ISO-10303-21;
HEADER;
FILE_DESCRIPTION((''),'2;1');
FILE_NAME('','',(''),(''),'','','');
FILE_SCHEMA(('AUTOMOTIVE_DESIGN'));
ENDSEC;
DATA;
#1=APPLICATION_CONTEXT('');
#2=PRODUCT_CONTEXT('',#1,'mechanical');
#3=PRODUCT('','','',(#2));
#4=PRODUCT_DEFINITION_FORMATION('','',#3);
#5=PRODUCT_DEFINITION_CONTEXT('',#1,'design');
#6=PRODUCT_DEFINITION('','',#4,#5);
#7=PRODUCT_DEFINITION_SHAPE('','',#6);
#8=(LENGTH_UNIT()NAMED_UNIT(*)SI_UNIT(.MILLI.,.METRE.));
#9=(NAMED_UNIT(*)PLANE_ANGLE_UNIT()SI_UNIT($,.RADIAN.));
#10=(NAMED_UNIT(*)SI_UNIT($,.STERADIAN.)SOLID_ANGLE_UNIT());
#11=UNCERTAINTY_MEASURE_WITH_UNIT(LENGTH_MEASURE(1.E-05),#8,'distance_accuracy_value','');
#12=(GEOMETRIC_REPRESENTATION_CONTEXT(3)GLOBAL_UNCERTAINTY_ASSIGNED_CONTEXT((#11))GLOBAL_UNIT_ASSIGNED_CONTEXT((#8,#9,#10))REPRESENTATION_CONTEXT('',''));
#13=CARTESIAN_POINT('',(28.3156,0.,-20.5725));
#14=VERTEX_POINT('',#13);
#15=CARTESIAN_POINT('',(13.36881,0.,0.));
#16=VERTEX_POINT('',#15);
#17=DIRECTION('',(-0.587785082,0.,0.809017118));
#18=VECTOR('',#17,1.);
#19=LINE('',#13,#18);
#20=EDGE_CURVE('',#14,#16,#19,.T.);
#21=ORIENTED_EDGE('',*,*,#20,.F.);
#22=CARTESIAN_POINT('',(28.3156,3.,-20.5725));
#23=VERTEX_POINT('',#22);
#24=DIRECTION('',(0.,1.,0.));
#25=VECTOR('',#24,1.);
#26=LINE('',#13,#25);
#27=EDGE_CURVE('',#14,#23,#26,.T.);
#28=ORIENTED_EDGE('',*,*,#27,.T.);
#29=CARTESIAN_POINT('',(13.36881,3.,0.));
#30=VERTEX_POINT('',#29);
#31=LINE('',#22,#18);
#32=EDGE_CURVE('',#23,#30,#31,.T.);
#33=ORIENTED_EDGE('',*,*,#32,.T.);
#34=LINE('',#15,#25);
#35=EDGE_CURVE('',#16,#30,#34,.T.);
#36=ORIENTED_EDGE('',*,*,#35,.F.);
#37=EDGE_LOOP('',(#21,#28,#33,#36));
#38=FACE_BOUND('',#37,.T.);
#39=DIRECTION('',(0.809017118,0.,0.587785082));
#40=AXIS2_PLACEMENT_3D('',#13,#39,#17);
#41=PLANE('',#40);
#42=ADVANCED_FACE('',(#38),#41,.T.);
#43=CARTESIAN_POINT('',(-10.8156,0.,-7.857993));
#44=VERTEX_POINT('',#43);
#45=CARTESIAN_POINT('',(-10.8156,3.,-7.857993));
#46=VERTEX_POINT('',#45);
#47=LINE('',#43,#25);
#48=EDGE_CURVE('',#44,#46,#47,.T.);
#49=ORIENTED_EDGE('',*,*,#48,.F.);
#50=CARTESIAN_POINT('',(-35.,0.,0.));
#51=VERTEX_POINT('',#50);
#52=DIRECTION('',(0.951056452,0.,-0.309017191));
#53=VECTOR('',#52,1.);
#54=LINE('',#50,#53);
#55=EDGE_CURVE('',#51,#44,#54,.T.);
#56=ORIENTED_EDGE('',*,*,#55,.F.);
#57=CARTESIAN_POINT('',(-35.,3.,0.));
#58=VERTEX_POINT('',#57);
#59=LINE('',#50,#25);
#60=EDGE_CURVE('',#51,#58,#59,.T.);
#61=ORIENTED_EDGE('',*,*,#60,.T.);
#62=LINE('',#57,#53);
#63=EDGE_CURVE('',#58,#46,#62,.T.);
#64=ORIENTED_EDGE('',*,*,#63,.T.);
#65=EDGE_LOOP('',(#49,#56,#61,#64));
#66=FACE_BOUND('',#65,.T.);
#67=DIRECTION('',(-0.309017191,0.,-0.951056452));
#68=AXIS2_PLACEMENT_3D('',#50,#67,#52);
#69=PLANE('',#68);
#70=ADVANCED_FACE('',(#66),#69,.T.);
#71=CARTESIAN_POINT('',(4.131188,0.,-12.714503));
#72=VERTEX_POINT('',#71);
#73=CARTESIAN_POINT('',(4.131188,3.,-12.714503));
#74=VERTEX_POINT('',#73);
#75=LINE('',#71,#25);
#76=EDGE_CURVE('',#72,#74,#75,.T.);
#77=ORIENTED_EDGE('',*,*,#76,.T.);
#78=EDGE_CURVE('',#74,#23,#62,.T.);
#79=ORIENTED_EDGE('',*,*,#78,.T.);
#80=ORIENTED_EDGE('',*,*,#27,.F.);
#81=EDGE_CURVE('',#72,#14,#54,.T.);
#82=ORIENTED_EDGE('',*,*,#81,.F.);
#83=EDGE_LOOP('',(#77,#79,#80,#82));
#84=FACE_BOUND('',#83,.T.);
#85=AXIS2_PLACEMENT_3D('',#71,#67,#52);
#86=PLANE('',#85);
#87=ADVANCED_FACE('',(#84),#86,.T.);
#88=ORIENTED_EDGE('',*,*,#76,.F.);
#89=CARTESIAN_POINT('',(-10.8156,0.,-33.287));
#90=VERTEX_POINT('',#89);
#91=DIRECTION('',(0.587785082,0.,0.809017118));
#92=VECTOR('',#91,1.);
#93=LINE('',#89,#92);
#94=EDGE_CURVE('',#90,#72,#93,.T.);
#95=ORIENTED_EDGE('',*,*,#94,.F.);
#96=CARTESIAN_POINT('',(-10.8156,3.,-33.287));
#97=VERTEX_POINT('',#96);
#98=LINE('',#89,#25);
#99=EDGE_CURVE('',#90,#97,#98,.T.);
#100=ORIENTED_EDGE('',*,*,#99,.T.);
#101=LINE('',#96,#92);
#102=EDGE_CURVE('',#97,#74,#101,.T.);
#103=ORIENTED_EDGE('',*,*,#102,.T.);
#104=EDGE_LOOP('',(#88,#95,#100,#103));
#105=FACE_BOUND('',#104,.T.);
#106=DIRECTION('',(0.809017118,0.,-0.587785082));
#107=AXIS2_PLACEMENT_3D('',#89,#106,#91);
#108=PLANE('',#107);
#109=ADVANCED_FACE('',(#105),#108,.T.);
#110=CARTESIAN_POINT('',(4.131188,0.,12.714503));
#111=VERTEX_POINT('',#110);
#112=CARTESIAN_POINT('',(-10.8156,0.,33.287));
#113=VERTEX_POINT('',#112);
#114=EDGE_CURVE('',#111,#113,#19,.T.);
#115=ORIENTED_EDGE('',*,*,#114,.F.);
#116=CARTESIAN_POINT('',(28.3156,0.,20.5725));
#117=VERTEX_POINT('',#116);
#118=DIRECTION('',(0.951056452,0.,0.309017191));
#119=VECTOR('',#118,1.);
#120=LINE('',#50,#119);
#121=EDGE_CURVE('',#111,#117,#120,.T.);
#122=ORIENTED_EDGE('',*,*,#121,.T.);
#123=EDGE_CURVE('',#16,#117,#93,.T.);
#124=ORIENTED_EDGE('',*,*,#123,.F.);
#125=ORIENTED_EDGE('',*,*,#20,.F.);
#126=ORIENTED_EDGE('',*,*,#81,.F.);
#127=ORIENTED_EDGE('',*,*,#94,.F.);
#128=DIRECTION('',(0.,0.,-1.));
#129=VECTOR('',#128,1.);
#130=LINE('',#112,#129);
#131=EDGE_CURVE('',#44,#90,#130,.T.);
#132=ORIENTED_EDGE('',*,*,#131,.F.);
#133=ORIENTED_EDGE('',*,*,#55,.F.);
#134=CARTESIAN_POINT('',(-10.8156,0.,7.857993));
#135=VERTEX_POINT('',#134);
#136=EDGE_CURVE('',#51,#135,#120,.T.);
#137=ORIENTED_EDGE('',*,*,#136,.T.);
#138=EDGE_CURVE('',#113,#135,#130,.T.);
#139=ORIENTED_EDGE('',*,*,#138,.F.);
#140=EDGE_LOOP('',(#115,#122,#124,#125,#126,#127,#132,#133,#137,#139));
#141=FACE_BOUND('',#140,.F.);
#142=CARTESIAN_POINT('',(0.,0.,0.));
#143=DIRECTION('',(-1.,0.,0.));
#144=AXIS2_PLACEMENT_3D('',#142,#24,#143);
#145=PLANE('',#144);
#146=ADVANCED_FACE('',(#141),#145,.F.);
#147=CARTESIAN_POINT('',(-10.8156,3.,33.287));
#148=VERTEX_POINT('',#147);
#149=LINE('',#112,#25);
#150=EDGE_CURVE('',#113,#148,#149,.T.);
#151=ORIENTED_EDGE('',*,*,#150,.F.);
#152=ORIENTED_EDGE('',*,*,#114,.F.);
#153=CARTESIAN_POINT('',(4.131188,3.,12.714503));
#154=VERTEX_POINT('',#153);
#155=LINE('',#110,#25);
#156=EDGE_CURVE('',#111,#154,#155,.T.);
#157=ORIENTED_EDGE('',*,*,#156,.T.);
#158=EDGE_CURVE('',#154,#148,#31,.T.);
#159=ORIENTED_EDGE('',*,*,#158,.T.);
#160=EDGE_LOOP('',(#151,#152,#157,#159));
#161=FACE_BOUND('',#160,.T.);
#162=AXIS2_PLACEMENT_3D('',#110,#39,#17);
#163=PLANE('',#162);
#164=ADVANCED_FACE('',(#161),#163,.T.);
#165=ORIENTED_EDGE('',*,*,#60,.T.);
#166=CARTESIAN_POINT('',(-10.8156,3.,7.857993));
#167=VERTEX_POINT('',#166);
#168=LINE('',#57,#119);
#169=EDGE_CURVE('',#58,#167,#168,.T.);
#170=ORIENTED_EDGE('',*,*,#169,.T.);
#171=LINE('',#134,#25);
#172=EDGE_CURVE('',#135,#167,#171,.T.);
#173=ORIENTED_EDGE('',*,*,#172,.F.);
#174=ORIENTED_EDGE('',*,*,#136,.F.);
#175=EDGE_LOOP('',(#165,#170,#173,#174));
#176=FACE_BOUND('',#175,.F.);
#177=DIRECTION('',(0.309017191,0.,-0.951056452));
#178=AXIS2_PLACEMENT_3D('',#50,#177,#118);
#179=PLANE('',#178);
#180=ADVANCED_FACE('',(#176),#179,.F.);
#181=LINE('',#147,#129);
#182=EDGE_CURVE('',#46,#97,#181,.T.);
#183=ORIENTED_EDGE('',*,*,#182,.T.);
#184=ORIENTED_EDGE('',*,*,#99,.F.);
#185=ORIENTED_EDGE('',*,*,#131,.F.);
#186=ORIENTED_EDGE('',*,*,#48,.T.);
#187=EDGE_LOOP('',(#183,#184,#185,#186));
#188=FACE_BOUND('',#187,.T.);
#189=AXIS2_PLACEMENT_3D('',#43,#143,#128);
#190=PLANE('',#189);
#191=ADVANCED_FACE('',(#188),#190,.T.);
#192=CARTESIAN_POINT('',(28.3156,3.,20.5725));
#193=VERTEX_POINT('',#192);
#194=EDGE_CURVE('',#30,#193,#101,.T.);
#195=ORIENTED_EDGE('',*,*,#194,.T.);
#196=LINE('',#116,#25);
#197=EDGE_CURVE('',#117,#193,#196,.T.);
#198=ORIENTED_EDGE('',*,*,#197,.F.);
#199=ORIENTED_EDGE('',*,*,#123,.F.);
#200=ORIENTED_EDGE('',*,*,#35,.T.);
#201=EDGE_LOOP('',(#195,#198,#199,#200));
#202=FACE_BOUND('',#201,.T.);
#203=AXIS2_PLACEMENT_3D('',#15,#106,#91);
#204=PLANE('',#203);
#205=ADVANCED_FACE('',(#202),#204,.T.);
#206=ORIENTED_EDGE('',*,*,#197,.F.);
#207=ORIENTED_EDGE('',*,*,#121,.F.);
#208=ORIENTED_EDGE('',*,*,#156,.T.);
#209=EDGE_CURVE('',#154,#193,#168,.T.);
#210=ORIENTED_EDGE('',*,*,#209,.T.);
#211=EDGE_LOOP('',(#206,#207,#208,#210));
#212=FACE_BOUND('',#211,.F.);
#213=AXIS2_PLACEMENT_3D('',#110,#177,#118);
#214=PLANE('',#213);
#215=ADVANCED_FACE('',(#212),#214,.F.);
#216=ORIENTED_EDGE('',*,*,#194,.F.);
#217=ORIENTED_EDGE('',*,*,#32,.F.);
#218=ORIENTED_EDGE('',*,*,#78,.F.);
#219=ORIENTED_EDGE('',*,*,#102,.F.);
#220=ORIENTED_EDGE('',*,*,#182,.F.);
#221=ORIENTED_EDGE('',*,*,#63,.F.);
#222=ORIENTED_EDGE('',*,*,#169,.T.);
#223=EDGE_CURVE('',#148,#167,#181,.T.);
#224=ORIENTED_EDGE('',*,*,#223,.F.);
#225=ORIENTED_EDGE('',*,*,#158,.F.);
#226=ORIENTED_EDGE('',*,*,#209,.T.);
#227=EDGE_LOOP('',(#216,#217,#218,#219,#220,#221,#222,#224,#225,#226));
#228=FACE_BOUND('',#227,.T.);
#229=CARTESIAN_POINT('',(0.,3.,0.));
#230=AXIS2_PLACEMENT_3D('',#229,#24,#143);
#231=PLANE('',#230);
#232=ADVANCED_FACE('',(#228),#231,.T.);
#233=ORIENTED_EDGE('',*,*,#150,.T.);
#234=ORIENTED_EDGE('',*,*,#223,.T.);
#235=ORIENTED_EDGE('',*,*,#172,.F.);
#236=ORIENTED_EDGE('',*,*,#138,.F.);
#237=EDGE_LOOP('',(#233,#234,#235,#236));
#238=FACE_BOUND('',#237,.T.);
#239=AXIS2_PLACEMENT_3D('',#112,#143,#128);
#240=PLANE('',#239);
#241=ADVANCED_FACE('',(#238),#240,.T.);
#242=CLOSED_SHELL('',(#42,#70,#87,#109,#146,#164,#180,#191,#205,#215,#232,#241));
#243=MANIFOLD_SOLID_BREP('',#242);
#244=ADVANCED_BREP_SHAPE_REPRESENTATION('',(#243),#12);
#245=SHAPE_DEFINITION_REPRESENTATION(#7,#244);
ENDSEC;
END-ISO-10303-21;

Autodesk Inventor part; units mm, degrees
ref_plane "YZ Plane" through (0, 0, 0) normal (1, 0, 0) x (0, 1, 0)
ref_plane "XZ Plane" through (0, 0, 0) normal (0, 1, 0) x (-1, 0, 0)
ref_plane "XY Plane" through (0, 0, 0) normal (0, 0, 1) x (1, 0, 0)
sketch "Boceto1" plane through (0, 0, 0) normal (0, 1, 0) x (-1, 0, 0)
  circle A0 centre (0, 0) radius 35
  line L0 (35, 0) -> (10.8156, -33.287)
  line L1 (10.8156, -33.287) -> (-28.3156, -20.5725)
  line L2 (-28.3156, -20.5725) -> (-28.3156, 20.5725)
  line L3 (-28.3156, 20.5725) -> (10.8156, 33.287)
  line L4 (10.8156, 33.287) -> (35, 0)
  line L5 (35, 0) -> (-28.3156, -20.5725)
  line L6 (10.8156, 33.287) -> (10.8156, -33.287)
  line L7 (10.8156, -33.287) -> (-28.3156, 20.5725)
  line L8 (35, 0) -> (-28.3156, 20.5725)
  line L9 (-28.3156, -20.5725) -> (10.8156, 33.287)
  point P0 (10.8156, 7.858)
  point P1 (-4.1312, 12.7145)
  point P2 (-13.3688, 0)
  point P3 (-4.1312, -12.7145)
  point P4 (10.8156, -7.858)
  dimension "d0" = 70
extrude "Extrusión1" add sketch "Boceto1" along normal blind 3 contours L5 L6 L8 | L6 L8 L9 | L7 L5 L6 | L5 L7 L9 L8 L6 | L8 L9 L7 | L9 L7 L5
properties part number "Estrella"
